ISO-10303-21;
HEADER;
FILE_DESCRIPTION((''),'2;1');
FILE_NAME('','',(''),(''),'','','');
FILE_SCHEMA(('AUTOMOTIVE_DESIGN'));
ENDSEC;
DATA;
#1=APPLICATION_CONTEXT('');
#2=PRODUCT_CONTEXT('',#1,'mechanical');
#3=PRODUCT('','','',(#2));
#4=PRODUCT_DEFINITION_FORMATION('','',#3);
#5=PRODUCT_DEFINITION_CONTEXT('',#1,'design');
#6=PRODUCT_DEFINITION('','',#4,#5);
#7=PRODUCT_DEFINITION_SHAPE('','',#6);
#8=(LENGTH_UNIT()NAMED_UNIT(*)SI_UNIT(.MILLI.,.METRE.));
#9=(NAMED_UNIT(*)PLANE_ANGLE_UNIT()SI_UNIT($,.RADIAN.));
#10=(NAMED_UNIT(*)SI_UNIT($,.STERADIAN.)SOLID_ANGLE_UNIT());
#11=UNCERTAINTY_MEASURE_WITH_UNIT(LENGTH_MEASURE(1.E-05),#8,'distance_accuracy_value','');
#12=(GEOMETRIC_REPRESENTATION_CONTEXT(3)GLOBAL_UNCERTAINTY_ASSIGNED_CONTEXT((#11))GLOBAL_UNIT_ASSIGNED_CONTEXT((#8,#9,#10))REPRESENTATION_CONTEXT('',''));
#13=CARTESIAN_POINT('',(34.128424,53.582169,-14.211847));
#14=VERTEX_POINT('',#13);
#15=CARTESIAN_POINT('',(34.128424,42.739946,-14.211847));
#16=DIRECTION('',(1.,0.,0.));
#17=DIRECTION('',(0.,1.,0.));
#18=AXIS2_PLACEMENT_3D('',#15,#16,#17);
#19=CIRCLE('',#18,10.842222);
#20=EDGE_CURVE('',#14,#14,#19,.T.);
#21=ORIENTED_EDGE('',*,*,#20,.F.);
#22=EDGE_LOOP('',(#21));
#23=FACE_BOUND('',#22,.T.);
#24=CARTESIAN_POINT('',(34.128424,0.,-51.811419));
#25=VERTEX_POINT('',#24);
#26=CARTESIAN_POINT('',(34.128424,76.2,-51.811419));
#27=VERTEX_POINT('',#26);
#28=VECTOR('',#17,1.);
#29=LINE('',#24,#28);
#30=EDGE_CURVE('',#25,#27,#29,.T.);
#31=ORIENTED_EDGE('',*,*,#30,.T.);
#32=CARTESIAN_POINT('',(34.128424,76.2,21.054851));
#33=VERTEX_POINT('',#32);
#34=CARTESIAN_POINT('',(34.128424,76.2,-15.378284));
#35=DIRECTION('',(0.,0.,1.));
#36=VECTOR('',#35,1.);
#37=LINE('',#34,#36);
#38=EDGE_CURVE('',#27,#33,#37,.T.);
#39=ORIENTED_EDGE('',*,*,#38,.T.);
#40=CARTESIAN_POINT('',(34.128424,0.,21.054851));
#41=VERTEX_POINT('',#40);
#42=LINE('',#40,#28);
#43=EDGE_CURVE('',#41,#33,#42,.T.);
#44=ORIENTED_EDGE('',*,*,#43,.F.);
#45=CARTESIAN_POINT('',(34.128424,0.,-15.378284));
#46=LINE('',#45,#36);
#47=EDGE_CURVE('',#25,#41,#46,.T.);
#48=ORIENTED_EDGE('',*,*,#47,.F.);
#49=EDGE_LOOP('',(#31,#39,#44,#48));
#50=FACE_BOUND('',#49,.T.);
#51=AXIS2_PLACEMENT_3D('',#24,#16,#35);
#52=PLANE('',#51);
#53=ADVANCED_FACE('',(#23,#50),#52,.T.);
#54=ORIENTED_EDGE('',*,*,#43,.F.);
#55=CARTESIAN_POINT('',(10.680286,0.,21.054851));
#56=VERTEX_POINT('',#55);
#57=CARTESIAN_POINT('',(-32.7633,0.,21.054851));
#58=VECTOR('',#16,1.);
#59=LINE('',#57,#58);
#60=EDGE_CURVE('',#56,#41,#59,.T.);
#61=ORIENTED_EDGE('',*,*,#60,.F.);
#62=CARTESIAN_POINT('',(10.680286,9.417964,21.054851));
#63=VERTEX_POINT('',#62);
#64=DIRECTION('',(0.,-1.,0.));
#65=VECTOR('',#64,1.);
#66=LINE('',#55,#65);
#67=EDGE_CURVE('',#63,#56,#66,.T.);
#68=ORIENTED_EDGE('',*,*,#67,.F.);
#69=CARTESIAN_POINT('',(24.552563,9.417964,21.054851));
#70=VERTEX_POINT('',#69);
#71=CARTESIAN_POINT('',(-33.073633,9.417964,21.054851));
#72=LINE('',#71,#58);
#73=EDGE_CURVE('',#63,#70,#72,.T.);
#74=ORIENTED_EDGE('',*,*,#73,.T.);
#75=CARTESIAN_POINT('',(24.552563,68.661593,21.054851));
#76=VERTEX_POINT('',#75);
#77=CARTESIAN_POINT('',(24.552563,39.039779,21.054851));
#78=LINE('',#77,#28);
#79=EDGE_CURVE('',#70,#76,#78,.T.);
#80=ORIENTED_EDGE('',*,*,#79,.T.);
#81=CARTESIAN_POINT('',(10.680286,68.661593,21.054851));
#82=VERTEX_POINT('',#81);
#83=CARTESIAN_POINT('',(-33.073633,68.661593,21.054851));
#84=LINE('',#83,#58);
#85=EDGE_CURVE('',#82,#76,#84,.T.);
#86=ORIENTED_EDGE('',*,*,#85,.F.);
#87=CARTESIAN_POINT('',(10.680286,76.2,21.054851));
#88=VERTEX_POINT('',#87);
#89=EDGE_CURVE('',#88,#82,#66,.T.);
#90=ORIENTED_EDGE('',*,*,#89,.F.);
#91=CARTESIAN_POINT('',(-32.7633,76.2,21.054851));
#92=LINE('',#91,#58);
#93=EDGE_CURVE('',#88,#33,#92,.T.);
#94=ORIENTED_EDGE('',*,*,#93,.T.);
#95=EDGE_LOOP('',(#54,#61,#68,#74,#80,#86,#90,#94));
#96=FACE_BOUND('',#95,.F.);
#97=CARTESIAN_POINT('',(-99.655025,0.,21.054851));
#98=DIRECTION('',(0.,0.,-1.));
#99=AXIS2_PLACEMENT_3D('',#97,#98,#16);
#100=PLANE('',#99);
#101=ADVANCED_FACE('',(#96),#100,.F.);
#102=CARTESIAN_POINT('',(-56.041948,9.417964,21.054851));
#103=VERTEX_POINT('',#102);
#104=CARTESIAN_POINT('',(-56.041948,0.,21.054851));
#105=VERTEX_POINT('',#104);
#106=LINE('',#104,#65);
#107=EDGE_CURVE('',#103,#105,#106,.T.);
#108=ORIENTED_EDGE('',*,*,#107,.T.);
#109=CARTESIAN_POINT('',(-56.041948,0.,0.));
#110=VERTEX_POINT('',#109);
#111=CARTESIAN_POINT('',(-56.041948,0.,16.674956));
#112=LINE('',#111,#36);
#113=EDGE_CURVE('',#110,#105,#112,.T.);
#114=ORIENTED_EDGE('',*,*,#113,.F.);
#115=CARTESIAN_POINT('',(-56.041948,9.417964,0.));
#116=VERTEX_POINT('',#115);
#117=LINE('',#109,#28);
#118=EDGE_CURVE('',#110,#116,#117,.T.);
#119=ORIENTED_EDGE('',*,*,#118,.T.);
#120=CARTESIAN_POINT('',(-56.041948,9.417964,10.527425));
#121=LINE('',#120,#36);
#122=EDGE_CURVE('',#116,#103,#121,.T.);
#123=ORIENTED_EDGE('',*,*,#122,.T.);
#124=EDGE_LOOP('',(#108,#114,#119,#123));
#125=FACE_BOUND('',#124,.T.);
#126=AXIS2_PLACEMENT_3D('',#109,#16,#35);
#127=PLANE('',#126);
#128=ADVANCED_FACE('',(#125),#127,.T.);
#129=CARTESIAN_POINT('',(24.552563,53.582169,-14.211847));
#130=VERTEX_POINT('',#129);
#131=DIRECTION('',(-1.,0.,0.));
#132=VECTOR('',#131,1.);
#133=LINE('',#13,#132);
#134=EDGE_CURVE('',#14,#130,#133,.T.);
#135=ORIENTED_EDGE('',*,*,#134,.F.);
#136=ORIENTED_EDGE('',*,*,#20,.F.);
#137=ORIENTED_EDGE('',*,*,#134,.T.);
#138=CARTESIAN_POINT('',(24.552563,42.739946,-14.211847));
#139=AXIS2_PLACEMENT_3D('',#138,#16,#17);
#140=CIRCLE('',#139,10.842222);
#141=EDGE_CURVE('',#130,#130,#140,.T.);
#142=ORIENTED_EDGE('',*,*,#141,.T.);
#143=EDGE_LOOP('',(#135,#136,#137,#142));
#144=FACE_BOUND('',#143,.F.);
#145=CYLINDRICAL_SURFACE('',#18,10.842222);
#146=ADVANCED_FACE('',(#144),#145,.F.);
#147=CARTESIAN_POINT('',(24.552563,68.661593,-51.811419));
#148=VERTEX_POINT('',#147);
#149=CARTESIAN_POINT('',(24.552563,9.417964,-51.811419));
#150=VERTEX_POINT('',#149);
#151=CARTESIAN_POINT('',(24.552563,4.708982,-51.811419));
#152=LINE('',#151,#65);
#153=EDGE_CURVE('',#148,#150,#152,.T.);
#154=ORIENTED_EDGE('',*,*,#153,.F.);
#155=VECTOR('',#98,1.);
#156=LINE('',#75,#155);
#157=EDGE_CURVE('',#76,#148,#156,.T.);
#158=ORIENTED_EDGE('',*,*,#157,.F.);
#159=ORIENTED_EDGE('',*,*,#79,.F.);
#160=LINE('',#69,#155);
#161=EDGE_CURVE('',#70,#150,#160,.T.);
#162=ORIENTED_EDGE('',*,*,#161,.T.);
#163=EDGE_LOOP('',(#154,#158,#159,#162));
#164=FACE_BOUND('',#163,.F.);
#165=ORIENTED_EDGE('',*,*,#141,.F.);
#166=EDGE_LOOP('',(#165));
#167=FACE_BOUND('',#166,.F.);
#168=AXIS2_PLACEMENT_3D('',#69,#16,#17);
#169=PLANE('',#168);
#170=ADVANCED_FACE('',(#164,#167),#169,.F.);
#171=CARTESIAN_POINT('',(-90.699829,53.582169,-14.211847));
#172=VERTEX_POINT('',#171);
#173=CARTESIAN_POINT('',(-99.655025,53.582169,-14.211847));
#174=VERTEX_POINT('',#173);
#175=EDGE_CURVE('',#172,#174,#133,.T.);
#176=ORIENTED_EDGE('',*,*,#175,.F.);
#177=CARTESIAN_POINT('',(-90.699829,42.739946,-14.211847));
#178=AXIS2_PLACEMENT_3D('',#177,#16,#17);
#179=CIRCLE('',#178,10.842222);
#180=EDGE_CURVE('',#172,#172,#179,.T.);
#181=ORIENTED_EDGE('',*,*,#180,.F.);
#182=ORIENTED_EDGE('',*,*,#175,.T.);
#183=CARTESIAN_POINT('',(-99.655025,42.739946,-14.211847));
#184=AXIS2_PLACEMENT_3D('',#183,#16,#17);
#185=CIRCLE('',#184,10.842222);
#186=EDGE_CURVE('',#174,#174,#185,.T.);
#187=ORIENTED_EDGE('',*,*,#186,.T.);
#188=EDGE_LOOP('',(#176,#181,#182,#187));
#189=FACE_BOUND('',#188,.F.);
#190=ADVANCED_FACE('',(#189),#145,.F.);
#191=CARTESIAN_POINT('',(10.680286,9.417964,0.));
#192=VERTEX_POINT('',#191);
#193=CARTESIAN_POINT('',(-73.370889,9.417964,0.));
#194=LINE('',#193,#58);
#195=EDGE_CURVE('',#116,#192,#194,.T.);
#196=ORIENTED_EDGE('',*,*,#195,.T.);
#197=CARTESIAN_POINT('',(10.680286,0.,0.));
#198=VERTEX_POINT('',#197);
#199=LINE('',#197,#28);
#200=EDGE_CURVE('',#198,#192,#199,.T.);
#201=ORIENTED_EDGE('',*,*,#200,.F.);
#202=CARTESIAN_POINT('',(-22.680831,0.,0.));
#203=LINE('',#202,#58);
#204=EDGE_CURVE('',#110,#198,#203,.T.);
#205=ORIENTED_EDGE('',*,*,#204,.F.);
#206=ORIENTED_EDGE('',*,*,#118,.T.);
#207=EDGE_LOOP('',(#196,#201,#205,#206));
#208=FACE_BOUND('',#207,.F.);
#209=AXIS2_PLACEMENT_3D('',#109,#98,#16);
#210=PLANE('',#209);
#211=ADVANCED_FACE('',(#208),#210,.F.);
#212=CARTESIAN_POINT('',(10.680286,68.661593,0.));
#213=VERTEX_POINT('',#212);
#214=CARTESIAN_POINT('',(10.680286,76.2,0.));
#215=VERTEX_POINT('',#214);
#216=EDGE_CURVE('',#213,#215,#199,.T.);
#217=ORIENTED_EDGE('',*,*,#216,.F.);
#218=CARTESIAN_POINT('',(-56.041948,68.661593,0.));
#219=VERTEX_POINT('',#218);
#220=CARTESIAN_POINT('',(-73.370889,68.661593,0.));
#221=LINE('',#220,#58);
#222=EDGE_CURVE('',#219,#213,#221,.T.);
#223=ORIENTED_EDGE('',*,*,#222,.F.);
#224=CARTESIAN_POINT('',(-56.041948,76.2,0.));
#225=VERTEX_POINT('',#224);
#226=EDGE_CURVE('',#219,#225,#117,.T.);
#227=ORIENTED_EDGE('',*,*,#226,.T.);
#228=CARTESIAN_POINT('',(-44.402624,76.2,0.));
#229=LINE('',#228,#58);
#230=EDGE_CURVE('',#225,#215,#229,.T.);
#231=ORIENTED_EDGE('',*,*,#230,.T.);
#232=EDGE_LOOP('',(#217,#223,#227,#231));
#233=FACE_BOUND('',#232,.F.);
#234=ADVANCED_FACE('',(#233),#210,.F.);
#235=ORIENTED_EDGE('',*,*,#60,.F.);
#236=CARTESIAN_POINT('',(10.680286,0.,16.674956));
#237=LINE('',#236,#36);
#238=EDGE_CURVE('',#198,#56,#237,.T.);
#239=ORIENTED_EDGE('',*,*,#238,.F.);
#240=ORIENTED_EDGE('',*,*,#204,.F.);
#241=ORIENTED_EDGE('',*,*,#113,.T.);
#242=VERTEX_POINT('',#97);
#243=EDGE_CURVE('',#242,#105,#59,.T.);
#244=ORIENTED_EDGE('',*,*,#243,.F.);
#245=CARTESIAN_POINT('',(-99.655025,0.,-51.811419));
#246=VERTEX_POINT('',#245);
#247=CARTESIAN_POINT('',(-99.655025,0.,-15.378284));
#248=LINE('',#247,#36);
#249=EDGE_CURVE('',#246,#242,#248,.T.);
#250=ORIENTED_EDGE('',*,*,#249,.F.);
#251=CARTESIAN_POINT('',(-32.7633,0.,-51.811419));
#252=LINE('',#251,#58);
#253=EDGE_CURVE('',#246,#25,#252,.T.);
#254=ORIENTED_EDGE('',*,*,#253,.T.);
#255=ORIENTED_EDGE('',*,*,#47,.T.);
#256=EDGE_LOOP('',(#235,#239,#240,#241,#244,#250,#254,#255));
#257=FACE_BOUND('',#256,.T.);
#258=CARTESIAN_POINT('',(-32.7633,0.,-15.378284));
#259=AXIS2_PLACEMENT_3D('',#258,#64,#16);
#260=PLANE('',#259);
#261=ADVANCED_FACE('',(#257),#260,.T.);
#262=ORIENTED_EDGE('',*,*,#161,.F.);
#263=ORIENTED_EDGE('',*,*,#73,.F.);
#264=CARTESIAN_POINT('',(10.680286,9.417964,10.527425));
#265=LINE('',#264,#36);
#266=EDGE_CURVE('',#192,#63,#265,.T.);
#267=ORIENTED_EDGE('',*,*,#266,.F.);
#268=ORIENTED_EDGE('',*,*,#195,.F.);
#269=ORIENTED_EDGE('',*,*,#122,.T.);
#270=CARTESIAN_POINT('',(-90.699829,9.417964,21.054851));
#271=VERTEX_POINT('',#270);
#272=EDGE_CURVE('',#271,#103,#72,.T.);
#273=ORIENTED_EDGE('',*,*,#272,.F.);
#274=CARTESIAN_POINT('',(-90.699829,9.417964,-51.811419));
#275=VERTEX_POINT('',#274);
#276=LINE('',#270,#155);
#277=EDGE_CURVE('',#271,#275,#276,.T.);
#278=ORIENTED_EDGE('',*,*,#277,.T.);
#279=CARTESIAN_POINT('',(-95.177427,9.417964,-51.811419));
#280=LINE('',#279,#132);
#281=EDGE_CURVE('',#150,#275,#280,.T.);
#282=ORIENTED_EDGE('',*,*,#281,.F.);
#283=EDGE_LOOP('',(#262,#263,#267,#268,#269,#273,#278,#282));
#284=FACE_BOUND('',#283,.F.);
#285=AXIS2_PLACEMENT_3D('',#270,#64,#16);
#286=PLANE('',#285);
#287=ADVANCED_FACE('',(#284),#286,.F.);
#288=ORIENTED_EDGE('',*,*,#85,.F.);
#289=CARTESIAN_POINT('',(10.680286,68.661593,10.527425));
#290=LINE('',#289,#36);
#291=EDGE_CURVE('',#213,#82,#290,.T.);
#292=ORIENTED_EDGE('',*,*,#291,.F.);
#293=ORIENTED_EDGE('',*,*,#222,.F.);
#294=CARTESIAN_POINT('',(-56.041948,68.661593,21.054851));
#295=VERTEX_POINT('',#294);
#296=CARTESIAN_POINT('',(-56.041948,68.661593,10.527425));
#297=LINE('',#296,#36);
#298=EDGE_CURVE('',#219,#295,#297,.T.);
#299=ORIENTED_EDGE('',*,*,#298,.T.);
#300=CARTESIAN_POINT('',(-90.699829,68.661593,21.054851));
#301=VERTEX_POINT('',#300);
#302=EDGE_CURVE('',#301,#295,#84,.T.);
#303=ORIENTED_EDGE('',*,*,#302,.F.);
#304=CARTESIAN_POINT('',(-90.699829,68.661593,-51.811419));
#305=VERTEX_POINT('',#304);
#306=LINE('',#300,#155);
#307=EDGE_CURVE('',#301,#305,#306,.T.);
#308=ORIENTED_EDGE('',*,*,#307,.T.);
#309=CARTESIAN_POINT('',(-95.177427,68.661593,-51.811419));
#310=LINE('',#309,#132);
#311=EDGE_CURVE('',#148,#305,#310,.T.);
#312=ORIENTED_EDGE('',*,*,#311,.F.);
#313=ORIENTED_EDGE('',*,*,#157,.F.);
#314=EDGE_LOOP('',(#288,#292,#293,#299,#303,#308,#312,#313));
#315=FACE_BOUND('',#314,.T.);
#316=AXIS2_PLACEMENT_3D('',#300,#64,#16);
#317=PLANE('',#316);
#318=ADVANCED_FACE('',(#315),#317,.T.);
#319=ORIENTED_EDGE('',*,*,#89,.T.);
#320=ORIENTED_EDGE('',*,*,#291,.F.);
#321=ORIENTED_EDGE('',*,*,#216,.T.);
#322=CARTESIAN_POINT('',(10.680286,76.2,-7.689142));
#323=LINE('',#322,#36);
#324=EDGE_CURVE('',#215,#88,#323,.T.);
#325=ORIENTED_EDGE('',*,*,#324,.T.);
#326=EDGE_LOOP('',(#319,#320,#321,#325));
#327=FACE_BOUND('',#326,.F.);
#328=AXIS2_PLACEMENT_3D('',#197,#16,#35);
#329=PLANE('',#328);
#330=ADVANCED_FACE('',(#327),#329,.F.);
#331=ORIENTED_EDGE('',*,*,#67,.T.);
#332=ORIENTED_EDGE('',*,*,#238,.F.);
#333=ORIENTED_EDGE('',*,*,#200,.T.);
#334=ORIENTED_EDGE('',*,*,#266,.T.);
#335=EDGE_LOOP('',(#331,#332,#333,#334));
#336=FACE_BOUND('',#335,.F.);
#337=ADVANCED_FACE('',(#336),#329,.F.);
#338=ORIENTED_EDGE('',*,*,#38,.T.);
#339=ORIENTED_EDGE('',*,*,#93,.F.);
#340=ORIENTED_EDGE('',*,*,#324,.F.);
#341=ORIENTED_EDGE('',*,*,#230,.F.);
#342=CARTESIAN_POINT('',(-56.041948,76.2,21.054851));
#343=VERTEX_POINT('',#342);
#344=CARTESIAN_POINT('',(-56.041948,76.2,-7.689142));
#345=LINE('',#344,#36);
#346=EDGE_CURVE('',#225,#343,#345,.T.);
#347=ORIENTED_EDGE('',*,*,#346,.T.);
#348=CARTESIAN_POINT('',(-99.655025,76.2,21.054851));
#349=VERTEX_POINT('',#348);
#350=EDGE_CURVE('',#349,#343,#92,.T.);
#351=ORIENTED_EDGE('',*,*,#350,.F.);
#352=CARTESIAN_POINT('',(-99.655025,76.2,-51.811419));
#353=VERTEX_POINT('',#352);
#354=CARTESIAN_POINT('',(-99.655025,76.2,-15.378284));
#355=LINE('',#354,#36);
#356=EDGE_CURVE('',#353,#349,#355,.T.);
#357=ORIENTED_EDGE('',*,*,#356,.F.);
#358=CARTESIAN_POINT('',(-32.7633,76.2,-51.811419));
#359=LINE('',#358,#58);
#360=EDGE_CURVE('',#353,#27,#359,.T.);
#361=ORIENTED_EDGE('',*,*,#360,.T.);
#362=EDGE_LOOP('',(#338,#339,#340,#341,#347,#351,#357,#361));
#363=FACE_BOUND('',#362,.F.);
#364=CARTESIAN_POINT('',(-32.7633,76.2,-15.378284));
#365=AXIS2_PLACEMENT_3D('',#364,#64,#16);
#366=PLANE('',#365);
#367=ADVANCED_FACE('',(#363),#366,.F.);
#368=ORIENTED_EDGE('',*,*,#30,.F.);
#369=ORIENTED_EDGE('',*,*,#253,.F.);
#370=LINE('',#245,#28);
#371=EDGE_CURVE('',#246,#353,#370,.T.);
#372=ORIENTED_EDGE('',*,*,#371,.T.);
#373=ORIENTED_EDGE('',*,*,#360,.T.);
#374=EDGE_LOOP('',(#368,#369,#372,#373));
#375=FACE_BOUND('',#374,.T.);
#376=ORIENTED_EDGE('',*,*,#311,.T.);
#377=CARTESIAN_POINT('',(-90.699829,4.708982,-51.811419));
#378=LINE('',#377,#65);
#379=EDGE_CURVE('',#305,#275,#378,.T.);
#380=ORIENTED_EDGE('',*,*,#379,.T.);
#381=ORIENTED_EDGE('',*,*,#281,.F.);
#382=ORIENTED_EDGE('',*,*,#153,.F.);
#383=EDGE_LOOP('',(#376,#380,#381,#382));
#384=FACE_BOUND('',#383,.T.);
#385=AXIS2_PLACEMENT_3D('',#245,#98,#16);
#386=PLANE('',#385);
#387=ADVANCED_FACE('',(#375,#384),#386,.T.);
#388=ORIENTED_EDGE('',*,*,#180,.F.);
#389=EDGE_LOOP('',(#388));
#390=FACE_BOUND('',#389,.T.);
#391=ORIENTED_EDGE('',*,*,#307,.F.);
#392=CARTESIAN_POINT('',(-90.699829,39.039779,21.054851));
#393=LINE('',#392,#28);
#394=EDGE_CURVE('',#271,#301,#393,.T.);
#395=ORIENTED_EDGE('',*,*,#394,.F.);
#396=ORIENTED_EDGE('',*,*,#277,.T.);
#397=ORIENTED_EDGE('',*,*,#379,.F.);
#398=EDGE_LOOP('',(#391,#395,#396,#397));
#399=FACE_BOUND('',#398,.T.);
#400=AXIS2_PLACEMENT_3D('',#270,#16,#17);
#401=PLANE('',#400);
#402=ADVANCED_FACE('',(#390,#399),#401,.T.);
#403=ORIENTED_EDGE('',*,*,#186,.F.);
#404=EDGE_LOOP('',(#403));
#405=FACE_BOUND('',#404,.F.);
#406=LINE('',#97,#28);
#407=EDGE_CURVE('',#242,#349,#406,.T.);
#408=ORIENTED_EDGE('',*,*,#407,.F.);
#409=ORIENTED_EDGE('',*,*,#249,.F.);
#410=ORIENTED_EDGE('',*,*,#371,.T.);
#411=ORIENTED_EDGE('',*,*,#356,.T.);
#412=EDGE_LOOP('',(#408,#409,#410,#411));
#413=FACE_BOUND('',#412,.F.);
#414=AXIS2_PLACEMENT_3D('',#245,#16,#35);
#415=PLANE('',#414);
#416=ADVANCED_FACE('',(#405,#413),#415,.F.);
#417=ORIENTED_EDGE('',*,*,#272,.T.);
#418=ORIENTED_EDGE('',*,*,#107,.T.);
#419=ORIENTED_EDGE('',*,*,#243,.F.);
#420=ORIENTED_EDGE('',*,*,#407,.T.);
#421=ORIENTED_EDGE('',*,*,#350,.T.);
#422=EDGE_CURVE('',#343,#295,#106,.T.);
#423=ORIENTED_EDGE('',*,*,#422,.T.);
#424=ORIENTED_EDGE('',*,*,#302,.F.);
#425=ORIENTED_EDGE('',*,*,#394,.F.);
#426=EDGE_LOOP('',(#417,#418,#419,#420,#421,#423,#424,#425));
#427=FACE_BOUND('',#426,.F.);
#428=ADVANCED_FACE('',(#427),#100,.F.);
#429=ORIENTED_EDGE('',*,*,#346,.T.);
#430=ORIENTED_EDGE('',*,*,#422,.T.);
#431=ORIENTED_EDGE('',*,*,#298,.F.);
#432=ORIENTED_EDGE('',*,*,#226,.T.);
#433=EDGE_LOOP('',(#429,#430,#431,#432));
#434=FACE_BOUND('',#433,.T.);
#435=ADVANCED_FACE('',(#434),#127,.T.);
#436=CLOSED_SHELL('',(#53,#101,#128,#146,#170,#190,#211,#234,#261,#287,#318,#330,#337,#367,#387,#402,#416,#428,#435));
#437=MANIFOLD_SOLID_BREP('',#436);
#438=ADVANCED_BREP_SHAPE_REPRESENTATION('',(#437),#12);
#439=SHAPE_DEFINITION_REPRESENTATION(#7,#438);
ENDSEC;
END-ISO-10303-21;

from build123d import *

# Parameters (mm, degrees)
F0_W     = 133.7834484875
F0_H     = 72.8662703186
F1_DEPTH = 76.2
F2_W     = 115.2523923665
F2_H     = 59.2436287552
F3_DEPTH = 72.8672703186
F4_R     = 10.8422221272
F5_DEPTH = 133.7844484875
F6_W     = 66.7222347111
F6_H     = 33.3499126136
F7_DEPTH = 76.201


with BuildPart() as f1:
    # F0 (on Front) → F1 (new body)
    with BuildSketch(Plane.XZ):
        with Locations((-32.7633004636, -15.3782842681)):
            Rectangle(F0_W, F0_H)
    extrude(amount=-F1_DEPTH)

    # F2 (on face) → F3 (cut, through all)
    with BuildSketch(Plane.XY.offset(21.0548508912)):
        with Locations((-33.0736329779, 39.0397785231)):
            Rectangle(F2_W, F2_H)
    extrude(amount=-F3_DEPTH, mode=Mode.SUBTRACT)

    # F4 (on face) → F5 (cut, through all)
    with BuildSketch(Plane.YZ.offset(34.1284237802)):
        with Locations((42.7399463952, -14.2118474469)):
            Circle(F4_R)
    extrude(amount=-F5_DEPTH, mode=Mode.SUBTRACT)

    # F6 (on face) → F7 (cut, through all)
    with BuildSketch(Plane.XZ):
        with Locations((-22.6808311418, 16.6749563068)):
            Rectangle(F6_W, F6_H)
    extrude(amount=-F7_DEPTH, mode=Mode.SUBTRACT)


solid = f1.part
